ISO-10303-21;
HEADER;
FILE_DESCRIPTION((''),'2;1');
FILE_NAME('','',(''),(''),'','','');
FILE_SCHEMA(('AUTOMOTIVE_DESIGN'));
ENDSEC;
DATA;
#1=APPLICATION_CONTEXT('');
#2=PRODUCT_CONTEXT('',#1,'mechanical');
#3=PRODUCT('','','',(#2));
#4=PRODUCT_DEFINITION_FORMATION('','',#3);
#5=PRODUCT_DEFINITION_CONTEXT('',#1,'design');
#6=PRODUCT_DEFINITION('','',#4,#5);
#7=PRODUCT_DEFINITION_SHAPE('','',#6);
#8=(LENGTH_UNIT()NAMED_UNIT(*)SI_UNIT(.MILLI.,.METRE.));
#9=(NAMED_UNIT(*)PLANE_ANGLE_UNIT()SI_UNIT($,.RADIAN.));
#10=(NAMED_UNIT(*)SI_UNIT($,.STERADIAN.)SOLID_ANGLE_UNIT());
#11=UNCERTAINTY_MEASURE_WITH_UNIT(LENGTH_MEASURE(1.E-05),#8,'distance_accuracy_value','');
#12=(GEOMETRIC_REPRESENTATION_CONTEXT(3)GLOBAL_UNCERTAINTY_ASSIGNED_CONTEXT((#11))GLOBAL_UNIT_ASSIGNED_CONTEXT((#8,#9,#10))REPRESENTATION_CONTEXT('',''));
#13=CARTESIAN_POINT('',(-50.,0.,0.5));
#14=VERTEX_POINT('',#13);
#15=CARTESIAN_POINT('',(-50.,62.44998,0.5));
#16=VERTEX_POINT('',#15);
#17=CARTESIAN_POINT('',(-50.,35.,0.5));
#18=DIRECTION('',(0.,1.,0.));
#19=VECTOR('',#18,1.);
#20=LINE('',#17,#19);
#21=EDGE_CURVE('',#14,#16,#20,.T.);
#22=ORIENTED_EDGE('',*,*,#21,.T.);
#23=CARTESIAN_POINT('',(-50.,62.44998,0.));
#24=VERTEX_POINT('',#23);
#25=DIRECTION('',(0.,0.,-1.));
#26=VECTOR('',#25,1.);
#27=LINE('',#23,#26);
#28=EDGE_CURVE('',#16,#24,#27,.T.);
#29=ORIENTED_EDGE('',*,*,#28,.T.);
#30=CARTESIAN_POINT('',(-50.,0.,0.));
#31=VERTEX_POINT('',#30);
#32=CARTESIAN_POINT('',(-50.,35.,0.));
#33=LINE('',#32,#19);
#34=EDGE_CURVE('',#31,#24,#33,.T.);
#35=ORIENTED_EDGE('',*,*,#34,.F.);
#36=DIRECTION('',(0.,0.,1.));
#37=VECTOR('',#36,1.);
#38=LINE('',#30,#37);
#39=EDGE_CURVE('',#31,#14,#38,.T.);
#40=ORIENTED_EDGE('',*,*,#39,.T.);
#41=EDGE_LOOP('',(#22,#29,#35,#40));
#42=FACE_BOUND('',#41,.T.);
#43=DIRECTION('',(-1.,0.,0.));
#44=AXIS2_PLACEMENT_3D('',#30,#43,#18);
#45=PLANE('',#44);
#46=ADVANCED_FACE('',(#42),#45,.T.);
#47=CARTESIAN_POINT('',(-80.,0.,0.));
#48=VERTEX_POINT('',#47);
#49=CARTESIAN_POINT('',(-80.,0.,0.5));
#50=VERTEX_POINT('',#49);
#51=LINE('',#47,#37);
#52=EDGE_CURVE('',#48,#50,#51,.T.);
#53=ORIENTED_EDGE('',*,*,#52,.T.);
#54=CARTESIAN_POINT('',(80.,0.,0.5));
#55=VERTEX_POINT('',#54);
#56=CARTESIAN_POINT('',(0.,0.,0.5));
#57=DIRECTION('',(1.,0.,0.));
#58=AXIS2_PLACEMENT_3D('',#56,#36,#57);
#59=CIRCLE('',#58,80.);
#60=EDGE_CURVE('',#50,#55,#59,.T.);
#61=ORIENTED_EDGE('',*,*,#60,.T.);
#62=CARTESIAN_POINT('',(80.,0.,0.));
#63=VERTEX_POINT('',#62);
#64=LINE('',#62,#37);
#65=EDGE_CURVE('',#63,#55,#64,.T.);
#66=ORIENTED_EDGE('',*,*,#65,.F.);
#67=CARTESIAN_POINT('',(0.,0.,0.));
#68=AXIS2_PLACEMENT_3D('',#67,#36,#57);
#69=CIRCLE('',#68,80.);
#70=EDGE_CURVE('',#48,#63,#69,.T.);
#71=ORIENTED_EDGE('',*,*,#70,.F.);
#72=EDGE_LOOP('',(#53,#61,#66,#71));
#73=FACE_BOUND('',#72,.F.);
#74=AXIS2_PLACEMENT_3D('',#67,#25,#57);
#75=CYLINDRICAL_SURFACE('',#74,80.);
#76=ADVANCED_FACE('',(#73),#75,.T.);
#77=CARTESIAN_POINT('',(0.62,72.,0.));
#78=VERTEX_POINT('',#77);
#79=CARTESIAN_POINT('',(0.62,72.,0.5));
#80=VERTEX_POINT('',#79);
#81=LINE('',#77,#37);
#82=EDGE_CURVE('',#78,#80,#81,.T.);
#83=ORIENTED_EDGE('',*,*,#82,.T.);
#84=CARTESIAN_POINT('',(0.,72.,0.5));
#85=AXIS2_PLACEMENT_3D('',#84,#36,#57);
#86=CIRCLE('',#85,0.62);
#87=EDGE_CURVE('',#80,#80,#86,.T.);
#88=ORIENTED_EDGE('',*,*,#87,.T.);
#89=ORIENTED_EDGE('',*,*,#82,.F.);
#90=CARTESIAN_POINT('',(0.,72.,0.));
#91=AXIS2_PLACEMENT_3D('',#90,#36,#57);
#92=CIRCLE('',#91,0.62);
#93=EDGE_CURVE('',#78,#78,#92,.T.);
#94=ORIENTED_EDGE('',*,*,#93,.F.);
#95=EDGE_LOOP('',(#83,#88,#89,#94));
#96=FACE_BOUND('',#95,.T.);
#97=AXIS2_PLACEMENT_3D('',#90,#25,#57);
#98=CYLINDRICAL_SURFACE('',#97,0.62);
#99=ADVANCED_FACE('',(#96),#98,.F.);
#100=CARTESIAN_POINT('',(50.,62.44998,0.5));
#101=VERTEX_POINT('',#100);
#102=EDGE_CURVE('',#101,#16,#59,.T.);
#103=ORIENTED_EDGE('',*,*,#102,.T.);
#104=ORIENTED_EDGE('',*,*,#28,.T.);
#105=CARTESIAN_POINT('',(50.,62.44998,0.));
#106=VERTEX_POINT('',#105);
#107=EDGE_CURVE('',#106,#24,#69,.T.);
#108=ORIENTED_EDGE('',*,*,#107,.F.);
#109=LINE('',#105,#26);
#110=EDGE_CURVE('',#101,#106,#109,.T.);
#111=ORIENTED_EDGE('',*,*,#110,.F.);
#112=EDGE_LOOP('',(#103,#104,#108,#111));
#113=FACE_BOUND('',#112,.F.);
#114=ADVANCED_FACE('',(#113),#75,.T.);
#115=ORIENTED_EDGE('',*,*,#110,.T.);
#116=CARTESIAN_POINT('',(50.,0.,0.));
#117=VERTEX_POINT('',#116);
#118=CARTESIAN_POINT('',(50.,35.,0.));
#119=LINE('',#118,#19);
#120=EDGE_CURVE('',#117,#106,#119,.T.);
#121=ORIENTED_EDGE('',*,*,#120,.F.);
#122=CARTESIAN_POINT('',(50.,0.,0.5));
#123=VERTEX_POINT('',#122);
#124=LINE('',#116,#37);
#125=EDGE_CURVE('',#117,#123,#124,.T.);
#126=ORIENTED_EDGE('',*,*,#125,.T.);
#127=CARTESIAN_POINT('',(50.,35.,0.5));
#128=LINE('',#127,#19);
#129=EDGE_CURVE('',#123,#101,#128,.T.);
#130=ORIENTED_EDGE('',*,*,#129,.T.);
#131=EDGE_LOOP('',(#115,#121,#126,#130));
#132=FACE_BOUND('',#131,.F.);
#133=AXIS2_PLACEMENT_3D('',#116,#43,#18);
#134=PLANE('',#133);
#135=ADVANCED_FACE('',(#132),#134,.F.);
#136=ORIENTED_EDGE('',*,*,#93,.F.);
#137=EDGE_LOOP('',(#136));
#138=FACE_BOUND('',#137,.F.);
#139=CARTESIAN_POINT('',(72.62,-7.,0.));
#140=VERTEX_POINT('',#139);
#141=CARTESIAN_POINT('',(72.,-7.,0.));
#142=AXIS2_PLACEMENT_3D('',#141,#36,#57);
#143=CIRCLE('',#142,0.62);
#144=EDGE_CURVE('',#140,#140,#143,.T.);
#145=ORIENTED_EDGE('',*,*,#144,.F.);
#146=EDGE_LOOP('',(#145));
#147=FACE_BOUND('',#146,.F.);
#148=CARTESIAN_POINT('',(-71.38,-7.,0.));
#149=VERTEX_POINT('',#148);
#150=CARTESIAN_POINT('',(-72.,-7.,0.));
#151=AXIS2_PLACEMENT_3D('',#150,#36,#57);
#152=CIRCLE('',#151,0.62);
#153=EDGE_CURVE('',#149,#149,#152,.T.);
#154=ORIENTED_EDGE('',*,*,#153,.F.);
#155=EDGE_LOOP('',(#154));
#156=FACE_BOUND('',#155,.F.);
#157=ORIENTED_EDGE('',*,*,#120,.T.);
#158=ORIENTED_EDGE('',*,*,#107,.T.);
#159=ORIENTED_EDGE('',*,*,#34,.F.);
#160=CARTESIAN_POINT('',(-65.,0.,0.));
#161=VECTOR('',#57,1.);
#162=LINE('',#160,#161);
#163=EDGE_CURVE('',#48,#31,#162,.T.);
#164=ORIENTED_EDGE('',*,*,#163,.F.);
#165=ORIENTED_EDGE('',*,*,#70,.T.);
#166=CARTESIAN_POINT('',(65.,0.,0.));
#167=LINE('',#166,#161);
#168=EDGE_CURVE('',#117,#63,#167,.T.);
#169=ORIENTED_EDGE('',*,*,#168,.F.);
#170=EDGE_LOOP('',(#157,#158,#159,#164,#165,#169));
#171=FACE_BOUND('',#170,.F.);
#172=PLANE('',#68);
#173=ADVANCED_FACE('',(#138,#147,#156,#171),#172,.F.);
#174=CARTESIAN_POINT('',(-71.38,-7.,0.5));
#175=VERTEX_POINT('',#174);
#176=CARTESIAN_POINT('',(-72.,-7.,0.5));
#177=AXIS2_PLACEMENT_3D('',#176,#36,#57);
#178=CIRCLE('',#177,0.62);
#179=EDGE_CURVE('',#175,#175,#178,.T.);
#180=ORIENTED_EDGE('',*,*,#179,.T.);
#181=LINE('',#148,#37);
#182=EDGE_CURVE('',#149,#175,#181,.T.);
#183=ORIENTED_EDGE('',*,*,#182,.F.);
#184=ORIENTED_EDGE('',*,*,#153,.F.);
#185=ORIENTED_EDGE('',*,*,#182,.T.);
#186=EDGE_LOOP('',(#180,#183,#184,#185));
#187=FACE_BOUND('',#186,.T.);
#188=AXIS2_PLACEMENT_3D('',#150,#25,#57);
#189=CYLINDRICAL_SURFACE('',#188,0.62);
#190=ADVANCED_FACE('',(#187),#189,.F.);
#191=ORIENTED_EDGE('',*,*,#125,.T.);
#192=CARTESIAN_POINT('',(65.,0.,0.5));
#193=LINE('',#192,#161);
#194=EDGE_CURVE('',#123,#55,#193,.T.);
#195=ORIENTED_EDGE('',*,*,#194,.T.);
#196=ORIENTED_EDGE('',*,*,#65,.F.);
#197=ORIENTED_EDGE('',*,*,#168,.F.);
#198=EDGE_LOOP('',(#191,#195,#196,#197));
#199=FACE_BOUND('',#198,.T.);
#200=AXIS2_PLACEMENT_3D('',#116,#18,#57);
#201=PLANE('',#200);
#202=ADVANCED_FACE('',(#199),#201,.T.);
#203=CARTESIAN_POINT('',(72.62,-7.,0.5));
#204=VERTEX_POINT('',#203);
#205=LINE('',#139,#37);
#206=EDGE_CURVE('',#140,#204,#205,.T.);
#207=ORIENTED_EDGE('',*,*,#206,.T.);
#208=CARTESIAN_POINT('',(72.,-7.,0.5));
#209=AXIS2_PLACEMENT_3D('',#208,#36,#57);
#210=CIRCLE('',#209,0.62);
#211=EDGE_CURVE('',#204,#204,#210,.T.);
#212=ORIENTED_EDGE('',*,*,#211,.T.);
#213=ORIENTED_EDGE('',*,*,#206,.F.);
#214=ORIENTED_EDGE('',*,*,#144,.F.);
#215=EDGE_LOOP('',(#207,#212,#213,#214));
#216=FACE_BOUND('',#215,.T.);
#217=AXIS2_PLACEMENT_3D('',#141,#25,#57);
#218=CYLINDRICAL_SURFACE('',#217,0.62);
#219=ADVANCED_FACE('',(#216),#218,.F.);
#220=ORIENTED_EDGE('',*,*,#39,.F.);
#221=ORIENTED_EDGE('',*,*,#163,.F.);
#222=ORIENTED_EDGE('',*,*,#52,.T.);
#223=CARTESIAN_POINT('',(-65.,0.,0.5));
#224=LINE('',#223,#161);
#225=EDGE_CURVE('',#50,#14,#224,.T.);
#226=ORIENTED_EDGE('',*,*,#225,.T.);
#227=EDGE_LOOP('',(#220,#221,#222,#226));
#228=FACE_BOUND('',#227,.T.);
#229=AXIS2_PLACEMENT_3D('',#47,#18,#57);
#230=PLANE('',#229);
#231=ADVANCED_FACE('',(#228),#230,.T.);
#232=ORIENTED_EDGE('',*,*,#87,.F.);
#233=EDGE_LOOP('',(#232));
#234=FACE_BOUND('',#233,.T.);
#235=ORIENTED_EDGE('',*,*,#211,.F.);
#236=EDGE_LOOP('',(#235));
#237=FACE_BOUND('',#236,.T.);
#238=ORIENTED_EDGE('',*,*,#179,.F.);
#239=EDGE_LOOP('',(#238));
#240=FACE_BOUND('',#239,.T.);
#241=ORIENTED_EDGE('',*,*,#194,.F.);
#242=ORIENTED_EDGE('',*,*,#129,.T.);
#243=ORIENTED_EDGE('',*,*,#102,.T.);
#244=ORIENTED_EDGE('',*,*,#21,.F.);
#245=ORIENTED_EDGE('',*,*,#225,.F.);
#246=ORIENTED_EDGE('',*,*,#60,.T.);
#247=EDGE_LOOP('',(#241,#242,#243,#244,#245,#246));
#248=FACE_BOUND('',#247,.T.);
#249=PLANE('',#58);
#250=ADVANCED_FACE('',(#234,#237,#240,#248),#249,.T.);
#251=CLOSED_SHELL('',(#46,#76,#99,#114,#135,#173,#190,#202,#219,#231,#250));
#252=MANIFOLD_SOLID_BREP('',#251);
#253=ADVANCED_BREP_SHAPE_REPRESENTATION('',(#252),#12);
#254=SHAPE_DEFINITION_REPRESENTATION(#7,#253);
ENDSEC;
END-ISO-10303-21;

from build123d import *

# Parameters (mm, degrees)
BOX_W             = 30
BOX_H             = 70
BOX_DEPTH         = 0.5
BOX001_W          = 30
BOX001_H          = 70
BOX001_DEPTH      = 0.5
CYLINDER004_R     = 0.62
CYLINDER004_DEPTH = 0.5
CYLINDER003_R     = 0.62
CYLINDER003_DEPTH = 0.5
CYLINDER001_R     = 0.62
CYLINDER001_DEPTH = 0.5
CYLINDER_R        = 80
CYLINDER_DEPTH    = 0.5


with BuildPart() as cubo:
    # Box → Box (new body)
    with BuildSketch(Plane(origin=(-80, 0, 0), x_dir=(1, 0, 0), z_dir=(0, 0, 1))):
        with Locations((15, 35)):
            Rectangle(BOX_W, BOX_H)
    extrude(amount=BOX_DEPTH)


with BuildPart() as cubo001:
    # Box001 → Box001 (new body)
    with BuildSketch(Plane(origin=(50, 0, 0), x_dir=(1, 0, 0), z_dir=(0, 0, 1))):
        with Locations((15, 35)):
            Rectangle(BOX001_W, BOX001_H)
    extrude(amount=BOX001_DEPTH)


with BuildPart() as perfo003:
    # Cylinder004 → Cylinder004 (new body)
    with BuildSketch(Plane(origin=(72, -7, 0), x_dir=(1, 0, 0), z_dir=(0, 0, 1))):
        Circle(CYLINDER004_R)
    extrude(amount=CYLINDER004_DEPTH)


with BuildPart() as perfo002:
    # Cylinder003 → Cylinder003 (new body)
    with BuildSketch(Plane(origin=(-72, -7, 0), x_dir=(1, 0, 0), z_dir=(0, 0, 1))):
        Circle(CYLINDER003_R)
    extrude(amount=CYLINDER003_DEPTH)


with BuildPart() as perfo:
    # Cylinder001 → Cylinder001 (new body)
    with BuildSketch(Plane(origin=(0, 72, 0), x_dir=(1, 0, 0), z_dir=(0, 0, 1))):
        Circle(CYLINDER001_R)
    extrude(amount=CYLINDER001_DEPTH)


with BuildPart() as cut004:
    # Cylinder → Cylinder (new body)
    with BuildSketch(Plane.XY):
        Circle(CYLINDER_R)
    extrude(amount=CYLINDER_DEPTH)

    # Cut: cut PERFO
    add(perfo.part, mode=Mode.SUBTRACT)

    # Cut001: cut PERFO002
    add(perfo002.part, mode=Mode.SUBTRACT)

    # Cut002: cut PERFO003
    add(perfo003.part, mode=Mode.SUBTRACT)

    # Cut003: cut Cubo001
    add(cubo001.part, mode=Mode.SUBTRACT)

    # Cut004: cut Cubo
    add(cubo.part, mode=Mode.SUBTRACT)


solid = cut004.part
